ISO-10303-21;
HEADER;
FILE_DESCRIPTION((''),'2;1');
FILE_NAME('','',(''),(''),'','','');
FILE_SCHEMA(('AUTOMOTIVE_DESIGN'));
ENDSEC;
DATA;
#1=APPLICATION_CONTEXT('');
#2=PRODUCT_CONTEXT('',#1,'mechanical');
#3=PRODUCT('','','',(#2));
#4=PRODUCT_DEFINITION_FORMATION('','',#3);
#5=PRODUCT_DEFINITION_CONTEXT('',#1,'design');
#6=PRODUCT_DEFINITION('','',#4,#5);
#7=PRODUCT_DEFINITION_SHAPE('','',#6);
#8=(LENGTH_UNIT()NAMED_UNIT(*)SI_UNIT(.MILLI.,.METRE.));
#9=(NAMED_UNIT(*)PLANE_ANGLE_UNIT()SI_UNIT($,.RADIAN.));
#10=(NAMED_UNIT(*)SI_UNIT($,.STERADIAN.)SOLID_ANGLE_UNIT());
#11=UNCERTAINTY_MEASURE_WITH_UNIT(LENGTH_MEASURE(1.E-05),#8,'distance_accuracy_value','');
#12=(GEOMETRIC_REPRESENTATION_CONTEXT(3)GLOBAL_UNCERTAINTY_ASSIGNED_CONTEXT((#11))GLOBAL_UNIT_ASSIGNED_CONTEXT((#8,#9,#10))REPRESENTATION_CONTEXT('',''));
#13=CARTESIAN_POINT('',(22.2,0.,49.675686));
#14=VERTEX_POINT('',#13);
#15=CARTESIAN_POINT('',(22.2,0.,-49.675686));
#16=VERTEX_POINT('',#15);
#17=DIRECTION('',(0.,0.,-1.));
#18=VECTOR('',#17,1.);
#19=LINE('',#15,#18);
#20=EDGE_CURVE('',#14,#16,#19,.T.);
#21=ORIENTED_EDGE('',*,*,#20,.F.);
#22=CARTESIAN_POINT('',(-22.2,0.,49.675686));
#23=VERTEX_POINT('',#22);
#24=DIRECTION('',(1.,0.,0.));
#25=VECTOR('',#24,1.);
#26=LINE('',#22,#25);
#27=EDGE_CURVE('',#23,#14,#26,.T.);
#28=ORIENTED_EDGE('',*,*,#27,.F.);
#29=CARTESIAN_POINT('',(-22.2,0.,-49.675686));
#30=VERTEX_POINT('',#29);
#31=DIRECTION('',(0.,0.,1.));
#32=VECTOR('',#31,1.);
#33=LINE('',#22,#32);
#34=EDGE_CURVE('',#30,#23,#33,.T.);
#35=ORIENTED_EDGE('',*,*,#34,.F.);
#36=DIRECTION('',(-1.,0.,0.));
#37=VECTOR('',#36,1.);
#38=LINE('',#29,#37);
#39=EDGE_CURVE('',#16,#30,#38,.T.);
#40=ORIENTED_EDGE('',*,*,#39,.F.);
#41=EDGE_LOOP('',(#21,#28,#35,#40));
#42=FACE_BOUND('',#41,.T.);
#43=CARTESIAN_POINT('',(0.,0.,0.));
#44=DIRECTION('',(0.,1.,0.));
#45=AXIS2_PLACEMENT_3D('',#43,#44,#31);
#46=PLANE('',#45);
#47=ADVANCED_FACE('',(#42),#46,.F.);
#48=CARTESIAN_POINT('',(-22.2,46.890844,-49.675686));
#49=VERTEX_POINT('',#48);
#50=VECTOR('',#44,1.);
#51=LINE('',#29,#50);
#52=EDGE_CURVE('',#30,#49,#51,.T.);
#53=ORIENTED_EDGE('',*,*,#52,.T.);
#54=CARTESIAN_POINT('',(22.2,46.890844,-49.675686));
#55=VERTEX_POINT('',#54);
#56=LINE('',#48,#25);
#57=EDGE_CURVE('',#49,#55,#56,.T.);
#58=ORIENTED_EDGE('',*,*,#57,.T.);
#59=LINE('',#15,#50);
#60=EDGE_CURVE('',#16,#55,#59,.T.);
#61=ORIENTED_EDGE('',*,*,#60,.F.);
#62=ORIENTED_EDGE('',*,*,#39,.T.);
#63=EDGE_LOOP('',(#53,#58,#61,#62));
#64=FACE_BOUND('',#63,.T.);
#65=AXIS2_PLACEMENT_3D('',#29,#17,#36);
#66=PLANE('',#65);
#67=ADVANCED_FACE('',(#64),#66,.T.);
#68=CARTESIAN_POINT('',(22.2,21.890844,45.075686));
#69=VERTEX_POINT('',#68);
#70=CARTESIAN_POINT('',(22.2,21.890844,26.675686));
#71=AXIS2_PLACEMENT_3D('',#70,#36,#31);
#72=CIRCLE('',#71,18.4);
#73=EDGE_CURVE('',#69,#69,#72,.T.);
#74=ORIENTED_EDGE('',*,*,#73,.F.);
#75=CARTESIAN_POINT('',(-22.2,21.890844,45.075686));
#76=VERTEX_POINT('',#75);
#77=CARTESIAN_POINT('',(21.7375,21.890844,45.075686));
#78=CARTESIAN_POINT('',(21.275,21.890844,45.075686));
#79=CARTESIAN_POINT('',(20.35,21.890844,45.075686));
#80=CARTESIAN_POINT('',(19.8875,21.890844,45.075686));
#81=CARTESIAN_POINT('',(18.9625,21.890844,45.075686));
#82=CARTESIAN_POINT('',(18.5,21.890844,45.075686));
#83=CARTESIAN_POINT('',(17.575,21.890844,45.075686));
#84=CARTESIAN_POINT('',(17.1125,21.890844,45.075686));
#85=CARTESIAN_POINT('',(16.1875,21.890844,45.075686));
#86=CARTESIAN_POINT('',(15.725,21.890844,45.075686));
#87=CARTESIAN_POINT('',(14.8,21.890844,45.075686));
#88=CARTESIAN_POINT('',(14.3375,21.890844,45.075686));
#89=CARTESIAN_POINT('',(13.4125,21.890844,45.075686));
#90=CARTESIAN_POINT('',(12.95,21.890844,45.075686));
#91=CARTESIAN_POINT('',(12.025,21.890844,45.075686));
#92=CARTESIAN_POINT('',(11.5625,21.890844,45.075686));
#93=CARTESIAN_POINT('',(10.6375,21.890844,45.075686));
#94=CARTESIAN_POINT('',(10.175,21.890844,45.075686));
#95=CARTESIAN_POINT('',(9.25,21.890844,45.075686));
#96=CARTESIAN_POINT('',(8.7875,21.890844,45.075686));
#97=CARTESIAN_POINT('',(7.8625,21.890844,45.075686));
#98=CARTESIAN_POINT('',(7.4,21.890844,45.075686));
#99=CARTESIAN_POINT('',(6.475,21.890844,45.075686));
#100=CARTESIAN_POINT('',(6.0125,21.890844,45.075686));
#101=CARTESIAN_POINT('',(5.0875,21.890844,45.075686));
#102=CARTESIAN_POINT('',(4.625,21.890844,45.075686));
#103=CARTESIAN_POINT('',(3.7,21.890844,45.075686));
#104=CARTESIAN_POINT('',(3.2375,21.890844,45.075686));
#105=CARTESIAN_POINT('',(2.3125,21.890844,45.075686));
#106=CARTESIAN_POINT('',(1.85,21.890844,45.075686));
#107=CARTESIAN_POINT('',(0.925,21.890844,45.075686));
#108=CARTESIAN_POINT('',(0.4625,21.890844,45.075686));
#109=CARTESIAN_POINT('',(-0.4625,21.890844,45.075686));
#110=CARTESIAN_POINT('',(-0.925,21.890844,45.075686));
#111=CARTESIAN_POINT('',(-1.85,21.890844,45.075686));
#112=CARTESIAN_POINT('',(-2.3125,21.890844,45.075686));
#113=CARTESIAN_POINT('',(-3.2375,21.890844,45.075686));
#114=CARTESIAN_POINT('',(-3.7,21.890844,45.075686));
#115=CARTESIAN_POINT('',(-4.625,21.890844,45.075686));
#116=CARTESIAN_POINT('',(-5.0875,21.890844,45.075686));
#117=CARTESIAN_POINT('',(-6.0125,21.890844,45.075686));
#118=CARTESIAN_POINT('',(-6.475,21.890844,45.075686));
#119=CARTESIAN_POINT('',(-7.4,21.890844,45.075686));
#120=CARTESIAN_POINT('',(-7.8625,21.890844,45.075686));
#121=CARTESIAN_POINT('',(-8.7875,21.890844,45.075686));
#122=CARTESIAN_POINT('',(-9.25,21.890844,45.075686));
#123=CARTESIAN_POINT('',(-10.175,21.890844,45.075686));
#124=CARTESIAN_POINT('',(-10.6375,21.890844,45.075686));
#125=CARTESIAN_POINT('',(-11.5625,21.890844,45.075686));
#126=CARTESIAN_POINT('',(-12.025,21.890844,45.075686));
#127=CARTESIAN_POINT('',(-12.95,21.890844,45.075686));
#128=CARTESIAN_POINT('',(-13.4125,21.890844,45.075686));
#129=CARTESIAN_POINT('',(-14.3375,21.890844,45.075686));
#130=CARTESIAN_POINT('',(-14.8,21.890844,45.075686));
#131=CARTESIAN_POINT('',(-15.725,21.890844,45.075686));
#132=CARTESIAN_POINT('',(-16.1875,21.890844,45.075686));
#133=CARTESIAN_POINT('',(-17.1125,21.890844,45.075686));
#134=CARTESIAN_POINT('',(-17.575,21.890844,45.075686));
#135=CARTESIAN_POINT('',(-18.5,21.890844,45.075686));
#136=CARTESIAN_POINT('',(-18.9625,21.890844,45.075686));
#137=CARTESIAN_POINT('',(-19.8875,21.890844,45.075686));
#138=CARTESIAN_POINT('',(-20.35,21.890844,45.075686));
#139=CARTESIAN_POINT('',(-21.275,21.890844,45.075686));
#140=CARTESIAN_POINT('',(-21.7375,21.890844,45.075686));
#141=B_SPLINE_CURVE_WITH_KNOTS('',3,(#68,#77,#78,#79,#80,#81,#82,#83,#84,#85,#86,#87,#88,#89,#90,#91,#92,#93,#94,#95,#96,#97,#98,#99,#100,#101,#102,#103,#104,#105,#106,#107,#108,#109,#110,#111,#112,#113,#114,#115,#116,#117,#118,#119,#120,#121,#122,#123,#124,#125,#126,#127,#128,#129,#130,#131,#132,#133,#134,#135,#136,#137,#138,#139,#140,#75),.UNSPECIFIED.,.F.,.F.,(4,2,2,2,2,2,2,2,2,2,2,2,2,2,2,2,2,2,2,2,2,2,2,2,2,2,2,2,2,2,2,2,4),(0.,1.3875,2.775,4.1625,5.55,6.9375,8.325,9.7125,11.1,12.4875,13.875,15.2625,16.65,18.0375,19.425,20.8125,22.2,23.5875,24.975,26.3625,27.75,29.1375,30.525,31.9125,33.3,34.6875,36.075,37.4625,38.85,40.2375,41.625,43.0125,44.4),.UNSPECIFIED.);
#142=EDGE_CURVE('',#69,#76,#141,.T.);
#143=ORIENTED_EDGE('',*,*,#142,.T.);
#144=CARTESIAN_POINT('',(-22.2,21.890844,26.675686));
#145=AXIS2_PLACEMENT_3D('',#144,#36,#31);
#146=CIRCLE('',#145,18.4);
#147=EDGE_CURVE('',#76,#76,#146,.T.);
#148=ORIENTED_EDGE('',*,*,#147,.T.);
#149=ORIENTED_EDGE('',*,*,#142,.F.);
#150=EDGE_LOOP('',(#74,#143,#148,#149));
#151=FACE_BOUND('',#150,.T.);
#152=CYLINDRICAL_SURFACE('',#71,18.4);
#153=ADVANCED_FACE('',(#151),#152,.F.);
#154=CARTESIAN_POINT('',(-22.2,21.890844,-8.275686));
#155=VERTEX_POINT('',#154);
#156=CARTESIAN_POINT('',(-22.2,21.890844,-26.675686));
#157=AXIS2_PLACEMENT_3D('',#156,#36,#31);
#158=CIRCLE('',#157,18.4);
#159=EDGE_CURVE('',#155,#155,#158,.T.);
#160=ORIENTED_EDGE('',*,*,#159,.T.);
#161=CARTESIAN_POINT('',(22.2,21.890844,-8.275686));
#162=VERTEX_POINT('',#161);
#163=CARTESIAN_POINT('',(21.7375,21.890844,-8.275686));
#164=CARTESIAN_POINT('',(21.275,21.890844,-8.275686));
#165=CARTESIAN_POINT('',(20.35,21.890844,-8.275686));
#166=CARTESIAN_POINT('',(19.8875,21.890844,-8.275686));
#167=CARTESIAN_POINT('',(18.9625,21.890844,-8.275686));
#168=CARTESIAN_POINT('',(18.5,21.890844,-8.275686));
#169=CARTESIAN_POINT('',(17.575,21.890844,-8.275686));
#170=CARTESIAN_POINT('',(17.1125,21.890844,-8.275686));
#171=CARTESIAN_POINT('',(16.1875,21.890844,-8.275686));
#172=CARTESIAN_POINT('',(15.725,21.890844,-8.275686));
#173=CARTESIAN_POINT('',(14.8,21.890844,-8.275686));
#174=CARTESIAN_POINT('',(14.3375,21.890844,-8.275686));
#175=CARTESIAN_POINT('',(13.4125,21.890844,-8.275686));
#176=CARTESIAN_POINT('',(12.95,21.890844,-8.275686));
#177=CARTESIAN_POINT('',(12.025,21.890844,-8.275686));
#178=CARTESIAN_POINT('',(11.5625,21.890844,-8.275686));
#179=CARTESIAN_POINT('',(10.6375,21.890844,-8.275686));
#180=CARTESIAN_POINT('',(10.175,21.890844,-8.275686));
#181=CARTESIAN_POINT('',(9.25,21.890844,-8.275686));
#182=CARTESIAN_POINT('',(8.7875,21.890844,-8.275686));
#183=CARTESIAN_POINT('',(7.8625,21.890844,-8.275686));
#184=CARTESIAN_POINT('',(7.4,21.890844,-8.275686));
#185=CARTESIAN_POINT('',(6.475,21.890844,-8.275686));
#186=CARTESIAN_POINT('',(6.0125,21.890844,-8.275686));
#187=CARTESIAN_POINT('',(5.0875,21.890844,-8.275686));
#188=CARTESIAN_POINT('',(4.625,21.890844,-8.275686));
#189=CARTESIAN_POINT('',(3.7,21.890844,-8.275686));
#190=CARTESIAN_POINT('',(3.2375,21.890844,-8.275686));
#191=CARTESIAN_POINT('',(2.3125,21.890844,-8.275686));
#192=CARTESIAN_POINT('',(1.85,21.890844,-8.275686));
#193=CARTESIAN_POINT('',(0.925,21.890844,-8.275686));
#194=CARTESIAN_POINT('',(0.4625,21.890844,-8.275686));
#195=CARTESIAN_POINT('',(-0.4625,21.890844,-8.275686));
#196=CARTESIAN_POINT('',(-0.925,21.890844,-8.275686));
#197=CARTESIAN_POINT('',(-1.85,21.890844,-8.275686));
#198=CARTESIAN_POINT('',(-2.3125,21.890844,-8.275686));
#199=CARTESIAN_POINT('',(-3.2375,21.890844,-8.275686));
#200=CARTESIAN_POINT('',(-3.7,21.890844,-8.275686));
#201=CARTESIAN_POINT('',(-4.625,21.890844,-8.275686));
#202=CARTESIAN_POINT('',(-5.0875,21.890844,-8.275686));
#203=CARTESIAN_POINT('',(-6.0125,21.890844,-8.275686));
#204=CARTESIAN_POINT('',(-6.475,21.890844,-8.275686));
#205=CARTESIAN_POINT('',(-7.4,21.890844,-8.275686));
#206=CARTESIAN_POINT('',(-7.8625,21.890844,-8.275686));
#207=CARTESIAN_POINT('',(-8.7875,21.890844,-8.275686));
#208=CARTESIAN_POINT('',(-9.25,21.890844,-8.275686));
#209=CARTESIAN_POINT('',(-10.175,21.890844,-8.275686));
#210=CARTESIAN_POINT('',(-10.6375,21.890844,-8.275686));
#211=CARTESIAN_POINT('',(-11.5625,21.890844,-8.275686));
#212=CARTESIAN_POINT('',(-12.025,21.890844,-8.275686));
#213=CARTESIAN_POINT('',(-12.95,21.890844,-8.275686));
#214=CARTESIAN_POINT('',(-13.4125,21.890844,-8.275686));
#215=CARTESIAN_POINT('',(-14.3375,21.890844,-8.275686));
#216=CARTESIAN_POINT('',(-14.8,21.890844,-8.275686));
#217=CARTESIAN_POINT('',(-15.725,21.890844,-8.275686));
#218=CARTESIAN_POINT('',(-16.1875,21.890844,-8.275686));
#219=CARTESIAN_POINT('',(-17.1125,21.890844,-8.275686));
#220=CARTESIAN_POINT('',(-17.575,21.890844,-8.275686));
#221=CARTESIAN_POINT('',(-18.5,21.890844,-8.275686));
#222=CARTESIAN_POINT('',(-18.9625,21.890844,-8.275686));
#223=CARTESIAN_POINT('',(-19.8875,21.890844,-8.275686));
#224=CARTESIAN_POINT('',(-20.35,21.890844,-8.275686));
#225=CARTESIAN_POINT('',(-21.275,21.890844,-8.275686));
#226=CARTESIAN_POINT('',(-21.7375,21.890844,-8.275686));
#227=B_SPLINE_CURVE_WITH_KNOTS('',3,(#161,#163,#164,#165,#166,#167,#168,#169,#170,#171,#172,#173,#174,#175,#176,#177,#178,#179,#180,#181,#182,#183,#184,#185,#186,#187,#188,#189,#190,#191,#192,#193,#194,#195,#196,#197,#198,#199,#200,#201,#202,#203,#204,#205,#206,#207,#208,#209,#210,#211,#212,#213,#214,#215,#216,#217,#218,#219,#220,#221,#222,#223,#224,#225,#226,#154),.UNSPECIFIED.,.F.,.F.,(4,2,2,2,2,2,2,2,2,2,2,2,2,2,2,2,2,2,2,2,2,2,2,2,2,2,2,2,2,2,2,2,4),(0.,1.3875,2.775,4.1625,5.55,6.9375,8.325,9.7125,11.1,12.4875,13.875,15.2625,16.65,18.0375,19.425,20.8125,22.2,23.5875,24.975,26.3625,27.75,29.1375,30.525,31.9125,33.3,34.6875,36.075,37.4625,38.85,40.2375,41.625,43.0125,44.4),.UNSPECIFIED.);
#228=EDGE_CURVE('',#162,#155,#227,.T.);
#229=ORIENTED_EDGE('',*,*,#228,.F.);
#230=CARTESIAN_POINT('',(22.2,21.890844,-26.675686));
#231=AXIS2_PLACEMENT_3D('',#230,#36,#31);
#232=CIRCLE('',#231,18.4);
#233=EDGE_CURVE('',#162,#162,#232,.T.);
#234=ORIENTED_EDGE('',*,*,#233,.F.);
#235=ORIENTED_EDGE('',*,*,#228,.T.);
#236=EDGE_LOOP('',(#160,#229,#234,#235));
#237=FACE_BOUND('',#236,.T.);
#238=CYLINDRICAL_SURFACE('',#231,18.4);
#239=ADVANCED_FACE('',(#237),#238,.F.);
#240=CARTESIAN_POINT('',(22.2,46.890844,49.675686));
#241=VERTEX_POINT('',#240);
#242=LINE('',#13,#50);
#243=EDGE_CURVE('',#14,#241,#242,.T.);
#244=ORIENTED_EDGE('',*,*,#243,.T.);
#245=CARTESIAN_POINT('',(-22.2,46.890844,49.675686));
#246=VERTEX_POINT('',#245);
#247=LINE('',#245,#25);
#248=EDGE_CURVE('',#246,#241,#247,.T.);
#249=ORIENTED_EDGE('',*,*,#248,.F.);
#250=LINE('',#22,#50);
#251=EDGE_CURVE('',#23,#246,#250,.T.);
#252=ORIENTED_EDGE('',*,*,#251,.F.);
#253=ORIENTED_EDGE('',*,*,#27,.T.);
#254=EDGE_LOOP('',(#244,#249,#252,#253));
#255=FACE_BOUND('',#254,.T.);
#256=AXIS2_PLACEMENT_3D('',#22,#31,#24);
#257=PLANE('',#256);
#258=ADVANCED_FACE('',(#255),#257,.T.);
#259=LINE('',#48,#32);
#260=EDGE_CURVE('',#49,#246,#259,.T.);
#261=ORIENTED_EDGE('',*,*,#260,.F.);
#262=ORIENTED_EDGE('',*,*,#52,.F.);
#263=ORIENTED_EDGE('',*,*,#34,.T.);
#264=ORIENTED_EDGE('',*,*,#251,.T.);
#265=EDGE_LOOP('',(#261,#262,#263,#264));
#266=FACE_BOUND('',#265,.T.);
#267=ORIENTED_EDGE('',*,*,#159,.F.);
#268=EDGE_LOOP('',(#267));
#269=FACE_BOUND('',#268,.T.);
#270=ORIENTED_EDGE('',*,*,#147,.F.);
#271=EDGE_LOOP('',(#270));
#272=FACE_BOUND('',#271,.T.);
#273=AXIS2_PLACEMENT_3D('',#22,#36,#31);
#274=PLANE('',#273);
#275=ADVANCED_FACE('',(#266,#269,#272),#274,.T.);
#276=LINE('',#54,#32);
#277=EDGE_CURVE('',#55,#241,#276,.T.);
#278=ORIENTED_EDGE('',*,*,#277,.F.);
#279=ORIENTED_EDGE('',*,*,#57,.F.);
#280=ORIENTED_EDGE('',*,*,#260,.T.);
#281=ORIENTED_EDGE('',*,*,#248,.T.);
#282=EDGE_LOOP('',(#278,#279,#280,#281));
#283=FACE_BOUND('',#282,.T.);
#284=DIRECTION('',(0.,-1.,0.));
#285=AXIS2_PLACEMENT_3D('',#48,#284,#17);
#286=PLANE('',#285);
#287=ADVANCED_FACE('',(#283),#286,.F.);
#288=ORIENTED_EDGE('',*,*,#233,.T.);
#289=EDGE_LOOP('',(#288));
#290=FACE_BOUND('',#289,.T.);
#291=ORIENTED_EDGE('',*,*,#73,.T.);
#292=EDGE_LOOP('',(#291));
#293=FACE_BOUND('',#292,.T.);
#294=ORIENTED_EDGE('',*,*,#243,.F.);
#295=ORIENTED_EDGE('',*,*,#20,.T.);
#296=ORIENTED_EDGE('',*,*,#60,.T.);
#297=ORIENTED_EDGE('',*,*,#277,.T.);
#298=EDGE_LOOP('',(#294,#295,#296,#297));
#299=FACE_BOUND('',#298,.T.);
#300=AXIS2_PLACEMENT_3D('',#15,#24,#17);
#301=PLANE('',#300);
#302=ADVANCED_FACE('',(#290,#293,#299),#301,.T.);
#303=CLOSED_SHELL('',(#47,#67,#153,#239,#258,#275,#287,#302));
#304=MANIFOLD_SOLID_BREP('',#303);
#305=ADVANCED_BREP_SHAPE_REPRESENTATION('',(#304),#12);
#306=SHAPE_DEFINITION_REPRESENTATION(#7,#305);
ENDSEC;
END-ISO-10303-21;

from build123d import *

# Parameters (mm, degrees)
SKETCH1_R           = 75
BOSS_EXTRUDE1_DEPTH = 100
SKETCH2_OUTSIDE_W   = 198.904
SKETCH2_OUTSIDE_H   = 198.904
SKETCH2_OUTSIDE_W_2 = 44.4
SKETCH2_OUTSIDE_H_2 = 99.351371604
CUT_EXTRUDE1_DEPTH  = 146.773797371
SKETCH3_W           = 44.4
SKETCH3_H           = 53.109155611
CUT_EXTRUDE2_DEPTH  = 143.70085858
SKETCH4_R           = 18.4
CUT_EXTRUDE3_DEPTH  = 82.472603048


with BuildPart() as part:
    # Sketch1 → Boss-Extrude1 (new body)
    with BuildSketch(Plane(origin=(0, 0, 0), x_dir=(1, 0, 0), z_dir=(0, 1, 0))):
        with Locations(Location((0, 0, 0), (0, 0, 270))):
            Circle(SKETCH1_R)
    extrude(amount=BOSS_EXTRUDE1_DEPTH)

    # Sketch2 outside → Cut-Extrude1 (cut, through all)
    with BuildSketch(Plane(origin=(0, 100, 0), x_dir=(1, 0, 0), z_dir=(0, 1, 0))):
        Rectangle(SKETCH2_OUTSIDE_W, SKETCH2_OUTSIDE_H)
        Rectangle(SKETCH2_OUTSIDE_W_2, SKETCH2_OUTSIDE_H_2, mode=Mode.SUBTRACT)
    extrude(amount=-CUT_EXTRUDE1_DEPTH, mode=Mode.SUBTRACT)

    # Sketch3 → Cut-Extrude2 (cut, through all)
    with BuildSketch(Plane.XY.offset(49.675685802)):
        with Locations((0, 73.445422194)):
            Rectangle(SKETCH3_W, SKETCH3_H)
    extrude(amount=-CUT_EXTRUDE2_DEPTH, mode=Mode.SUBTRACT)

    # Sketch4 → Cut-Extrude3 (cut, through all)
    with BuildSketch(Plane.ZY.offset(22.2)):
        with Locations((26.675685802, 21.890844389)):
            Circle(SKETCH4_R)
        with Locations((-26.675685802, 21.890844389)):
            Circle(SKETCH4_R)
    extrude(amount=-CUT_EXTRUDE3_DEPTH, mode=Mode.SUBTRACT)


solid = part.part
